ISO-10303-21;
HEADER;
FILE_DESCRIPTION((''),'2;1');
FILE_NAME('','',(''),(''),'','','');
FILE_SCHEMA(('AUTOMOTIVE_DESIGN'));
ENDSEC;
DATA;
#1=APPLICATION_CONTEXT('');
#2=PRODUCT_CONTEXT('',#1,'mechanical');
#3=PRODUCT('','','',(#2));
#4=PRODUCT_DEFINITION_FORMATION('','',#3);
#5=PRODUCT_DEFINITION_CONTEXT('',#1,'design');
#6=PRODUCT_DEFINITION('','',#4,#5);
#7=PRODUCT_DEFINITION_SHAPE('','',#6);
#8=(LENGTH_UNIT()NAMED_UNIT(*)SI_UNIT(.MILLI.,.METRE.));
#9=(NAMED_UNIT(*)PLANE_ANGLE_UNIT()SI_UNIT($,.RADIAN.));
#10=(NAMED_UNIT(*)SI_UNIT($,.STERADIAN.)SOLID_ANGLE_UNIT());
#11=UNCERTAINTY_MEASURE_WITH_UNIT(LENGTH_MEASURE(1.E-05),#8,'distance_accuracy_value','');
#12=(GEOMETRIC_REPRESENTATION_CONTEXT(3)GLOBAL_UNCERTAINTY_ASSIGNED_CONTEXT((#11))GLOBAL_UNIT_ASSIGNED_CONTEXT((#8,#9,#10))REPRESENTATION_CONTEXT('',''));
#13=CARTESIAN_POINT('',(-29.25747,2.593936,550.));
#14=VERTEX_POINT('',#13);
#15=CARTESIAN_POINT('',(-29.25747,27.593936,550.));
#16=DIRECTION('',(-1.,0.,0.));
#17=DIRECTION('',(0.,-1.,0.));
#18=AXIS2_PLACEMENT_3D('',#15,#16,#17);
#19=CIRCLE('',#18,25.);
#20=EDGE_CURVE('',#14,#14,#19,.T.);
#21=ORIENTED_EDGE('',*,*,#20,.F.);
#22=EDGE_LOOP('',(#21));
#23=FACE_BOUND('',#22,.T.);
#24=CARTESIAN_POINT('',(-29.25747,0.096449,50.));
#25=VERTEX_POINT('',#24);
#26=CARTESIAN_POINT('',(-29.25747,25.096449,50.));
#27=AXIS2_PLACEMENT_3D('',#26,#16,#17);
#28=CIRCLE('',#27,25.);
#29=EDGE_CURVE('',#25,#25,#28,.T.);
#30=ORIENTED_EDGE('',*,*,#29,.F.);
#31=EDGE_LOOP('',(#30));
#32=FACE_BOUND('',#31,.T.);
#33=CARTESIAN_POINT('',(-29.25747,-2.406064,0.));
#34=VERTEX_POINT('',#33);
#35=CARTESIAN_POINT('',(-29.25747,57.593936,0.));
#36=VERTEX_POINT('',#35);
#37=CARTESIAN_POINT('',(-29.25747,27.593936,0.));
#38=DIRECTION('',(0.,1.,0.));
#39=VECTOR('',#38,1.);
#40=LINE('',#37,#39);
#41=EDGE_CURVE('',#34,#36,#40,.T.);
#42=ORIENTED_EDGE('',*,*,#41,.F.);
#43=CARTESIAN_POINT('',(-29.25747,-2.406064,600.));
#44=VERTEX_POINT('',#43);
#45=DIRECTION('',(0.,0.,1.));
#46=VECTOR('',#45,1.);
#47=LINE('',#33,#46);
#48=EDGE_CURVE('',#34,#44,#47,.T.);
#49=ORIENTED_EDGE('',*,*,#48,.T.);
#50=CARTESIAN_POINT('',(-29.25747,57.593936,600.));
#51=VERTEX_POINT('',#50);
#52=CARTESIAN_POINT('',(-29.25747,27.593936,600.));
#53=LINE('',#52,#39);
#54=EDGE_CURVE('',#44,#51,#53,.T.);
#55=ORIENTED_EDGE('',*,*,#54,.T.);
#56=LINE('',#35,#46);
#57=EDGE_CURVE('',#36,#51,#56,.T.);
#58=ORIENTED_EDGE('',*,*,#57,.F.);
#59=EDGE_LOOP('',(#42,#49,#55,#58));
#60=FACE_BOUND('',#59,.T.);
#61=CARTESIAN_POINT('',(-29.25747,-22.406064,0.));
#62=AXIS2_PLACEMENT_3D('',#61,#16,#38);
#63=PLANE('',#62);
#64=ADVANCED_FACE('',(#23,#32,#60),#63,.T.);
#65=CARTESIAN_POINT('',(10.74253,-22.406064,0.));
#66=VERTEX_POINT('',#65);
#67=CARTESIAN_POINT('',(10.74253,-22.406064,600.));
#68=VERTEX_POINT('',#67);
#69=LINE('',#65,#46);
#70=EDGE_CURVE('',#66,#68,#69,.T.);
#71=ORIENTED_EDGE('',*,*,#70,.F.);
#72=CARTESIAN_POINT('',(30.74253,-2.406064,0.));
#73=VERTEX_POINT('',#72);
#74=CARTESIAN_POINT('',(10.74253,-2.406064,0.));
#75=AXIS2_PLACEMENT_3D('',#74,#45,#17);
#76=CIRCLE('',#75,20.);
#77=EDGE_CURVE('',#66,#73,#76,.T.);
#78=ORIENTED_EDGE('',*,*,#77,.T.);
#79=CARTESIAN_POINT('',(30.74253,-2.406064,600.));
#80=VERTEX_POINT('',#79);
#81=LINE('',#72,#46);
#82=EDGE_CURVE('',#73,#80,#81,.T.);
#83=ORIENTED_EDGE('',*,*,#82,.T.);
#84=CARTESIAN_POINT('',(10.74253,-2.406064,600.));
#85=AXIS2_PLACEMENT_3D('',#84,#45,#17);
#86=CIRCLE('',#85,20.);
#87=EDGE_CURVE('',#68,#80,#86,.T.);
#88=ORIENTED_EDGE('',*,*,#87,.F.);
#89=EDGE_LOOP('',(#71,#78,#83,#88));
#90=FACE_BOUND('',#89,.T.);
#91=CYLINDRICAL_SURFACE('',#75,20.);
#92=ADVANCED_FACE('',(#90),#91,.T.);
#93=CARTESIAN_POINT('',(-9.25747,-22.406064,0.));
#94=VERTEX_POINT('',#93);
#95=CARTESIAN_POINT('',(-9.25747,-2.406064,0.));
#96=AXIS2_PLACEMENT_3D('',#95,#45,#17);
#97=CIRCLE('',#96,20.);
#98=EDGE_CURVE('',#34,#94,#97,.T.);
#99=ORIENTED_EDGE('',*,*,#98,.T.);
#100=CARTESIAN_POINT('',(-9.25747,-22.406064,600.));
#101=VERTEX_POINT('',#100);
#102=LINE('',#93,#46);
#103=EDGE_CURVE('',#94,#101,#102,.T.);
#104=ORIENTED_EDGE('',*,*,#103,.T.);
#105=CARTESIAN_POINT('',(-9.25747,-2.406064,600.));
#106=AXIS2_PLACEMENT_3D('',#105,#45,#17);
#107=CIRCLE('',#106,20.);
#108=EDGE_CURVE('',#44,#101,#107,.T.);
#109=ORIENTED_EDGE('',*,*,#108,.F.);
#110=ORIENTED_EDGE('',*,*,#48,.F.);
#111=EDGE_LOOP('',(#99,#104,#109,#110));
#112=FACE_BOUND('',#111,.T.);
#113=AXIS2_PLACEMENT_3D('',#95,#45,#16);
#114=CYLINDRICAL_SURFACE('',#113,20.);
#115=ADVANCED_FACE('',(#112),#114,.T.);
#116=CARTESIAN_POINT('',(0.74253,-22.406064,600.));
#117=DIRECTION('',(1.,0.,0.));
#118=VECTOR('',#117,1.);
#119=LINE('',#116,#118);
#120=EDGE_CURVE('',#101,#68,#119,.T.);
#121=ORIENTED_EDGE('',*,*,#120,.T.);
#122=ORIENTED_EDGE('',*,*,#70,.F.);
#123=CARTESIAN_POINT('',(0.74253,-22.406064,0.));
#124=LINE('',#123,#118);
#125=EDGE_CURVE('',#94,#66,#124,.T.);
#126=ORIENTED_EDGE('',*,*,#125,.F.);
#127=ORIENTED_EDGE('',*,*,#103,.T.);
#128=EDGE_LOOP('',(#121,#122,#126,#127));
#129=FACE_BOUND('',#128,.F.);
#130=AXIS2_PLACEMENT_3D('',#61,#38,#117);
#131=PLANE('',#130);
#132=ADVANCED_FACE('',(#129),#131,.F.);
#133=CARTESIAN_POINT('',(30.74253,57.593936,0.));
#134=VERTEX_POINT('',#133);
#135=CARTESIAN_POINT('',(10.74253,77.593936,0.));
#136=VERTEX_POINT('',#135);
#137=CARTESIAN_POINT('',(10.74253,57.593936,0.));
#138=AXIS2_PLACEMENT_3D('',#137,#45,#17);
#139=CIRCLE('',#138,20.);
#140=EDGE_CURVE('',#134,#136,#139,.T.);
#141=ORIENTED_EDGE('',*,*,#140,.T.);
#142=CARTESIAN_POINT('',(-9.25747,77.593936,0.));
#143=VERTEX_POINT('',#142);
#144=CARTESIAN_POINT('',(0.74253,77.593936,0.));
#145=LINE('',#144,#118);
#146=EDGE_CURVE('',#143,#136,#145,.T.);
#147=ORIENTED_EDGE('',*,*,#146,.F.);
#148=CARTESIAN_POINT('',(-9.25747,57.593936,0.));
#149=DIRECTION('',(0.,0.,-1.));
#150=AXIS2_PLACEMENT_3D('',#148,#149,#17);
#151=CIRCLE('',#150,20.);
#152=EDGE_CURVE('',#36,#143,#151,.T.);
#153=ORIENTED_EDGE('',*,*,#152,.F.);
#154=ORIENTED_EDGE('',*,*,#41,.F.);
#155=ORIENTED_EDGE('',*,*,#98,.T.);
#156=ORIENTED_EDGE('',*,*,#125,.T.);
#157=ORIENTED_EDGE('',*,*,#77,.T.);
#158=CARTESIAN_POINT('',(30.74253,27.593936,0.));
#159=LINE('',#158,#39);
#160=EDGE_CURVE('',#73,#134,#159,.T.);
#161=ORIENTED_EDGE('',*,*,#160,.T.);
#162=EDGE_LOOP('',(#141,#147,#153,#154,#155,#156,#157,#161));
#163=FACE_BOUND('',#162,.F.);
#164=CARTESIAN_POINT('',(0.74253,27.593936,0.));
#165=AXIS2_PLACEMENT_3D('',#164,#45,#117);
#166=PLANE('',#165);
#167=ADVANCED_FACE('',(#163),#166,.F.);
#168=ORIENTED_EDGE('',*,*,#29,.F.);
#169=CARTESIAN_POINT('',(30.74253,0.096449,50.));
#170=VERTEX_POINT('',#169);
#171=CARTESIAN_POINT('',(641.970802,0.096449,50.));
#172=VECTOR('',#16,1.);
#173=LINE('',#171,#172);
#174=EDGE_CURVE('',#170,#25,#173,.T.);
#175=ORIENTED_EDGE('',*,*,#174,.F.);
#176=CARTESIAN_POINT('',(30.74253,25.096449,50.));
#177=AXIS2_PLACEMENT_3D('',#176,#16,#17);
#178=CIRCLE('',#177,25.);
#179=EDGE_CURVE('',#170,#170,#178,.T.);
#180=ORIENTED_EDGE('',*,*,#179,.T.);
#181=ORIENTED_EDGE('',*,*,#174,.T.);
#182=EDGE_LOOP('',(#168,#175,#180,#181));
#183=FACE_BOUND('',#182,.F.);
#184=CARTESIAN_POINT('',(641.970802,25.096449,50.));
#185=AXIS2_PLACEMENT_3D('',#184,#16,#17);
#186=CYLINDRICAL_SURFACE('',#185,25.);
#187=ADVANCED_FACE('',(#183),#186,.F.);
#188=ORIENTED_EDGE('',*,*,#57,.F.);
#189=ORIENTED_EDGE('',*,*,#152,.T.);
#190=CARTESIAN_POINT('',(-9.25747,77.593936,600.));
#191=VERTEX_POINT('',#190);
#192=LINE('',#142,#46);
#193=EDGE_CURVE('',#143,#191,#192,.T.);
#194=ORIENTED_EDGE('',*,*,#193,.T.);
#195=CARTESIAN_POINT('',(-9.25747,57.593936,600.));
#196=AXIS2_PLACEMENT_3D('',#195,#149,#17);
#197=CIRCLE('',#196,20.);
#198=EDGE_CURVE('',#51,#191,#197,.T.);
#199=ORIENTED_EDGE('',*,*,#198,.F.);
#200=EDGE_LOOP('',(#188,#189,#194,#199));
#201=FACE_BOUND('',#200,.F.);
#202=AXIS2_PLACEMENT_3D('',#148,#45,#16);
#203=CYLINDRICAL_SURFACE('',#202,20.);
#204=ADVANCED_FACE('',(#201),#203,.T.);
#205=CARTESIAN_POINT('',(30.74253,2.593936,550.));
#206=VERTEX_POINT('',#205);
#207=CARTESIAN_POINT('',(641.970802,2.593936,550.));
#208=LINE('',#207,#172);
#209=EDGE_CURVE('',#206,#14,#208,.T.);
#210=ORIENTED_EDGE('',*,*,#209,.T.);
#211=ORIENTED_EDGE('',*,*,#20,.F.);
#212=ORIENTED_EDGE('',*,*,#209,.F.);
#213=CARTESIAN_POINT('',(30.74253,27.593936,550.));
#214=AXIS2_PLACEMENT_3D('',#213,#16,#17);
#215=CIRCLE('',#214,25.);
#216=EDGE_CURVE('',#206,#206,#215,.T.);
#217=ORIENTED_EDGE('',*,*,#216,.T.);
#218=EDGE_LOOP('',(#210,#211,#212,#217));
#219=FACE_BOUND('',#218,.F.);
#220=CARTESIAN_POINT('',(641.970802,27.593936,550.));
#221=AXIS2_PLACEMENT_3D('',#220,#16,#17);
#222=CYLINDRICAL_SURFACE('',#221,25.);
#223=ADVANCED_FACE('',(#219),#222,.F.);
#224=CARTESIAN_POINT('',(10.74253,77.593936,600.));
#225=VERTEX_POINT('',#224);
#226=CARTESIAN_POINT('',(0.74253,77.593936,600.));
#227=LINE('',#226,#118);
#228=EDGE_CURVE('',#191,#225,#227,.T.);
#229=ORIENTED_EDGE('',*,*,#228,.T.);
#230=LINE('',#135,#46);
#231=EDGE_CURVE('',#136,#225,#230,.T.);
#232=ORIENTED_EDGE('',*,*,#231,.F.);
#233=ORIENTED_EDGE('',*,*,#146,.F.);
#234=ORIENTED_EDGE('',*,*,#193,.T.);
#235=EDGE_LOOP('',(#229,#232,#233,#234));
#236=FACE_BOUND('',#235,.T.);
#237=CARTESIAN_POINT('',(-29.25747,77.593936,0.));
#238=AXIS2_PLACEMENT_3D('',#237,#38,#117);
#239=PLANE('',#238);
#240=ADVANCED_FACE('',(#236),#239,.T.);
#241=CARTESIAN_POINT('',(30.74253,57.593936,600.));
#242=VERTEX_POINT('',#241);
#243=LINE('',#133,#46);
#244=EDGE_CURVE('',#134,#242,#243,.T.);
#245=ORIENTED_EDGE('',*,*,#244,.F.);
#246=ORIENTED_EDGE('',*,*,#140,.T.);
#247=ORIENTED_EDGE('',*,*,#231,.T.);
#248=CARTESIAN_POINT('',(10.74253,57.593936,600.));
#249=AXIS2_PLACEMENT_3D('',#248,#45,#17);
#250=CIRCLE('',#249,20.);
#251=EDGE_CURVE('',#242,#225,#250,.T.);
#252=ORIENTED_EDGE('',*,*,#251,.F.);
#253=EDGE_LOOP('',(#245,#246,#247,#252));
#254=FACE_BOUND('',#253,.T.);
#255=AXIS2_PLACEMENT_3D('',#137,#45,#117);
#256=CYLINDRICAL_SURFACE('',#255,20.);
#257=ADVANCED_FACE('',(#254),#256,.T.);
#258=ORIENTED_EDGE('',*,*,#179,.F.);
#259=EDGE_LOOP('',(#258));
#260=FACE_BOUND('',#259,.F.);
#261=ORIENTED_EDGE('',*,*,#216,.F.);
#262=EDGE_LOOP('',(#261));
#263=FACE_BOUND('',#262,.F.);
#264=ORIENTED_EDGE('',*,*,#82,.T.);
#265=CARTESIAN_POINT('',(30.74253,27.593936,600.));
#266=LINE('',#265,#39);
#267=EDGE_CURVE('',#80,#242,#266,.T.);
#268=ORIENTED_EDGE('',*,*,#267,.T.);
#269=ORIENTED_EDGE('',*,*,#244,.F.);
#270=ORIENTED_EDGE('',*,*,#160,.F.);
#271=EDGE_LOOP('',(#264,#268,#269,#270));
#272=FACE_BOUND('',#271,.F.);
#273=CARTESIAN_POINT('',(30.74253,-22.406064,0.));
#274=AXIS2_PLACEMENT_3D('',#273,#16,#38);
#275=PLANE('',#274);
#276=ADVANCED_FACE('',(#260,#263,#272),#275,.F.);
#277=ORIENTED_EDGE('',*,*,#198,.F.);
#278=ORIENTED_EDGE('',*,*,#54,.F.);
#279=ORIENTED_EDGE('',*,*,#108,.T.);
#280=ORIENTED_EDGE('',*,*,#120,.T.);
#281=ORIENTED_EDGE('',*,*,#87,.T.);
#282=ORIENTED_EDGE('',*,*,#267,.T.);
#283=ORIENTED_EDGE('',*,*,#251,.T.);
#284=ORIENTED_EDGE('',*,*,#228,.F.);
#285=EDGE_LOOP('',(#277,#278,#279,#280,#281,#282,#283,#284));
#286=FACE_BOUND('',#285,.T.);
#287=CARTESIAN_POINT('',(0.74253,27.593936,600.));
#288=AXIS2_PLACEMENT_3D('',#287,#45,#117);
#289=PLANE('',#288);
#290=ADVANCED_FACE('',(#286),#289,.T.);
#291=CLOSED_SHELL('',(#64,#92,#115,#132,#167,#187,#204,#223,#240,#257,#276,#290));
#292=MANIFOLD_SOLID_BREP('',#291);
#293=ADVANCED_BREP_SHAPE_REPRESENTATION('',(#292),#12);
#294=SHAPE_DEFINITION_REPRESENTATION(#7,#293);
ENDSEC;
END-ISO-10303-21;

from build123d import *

# Parameters (mm, degrees)
F0_W     = 60
F0_H     = 100
F1_DEPTH = 600
F2_R     = 20
F4_D     = 50


with BuildPart() as f1:
    # F0 (on Top) → F1 (new body)
    with BuildSketch(Plane.XY):
        with Locations((0.74253, 27.593936)):
            Rectangle(F0_W, F0_H)
    extrude(amount=F1_DEPTH)

    # F2
    f2_edges = [f1.edges().sort_by_distance(p)[0] for p in [
        (-29.25747, -22.406064, 300),
        (30.74253, -22.406064, 300),
        (30.74253, 77.593936, 300),
        (-29.25747, 77.593936, 300),
    ]]
    fillet(f2_edges, radius=F2_R)

    # F4 (through all)
    with Locations(Plane.YZ.offset(30.74253)):
        with Locations((27.593936, 550), (25.096449, 50)):
            Hole(F4_D / 2)


solid = f1.part
